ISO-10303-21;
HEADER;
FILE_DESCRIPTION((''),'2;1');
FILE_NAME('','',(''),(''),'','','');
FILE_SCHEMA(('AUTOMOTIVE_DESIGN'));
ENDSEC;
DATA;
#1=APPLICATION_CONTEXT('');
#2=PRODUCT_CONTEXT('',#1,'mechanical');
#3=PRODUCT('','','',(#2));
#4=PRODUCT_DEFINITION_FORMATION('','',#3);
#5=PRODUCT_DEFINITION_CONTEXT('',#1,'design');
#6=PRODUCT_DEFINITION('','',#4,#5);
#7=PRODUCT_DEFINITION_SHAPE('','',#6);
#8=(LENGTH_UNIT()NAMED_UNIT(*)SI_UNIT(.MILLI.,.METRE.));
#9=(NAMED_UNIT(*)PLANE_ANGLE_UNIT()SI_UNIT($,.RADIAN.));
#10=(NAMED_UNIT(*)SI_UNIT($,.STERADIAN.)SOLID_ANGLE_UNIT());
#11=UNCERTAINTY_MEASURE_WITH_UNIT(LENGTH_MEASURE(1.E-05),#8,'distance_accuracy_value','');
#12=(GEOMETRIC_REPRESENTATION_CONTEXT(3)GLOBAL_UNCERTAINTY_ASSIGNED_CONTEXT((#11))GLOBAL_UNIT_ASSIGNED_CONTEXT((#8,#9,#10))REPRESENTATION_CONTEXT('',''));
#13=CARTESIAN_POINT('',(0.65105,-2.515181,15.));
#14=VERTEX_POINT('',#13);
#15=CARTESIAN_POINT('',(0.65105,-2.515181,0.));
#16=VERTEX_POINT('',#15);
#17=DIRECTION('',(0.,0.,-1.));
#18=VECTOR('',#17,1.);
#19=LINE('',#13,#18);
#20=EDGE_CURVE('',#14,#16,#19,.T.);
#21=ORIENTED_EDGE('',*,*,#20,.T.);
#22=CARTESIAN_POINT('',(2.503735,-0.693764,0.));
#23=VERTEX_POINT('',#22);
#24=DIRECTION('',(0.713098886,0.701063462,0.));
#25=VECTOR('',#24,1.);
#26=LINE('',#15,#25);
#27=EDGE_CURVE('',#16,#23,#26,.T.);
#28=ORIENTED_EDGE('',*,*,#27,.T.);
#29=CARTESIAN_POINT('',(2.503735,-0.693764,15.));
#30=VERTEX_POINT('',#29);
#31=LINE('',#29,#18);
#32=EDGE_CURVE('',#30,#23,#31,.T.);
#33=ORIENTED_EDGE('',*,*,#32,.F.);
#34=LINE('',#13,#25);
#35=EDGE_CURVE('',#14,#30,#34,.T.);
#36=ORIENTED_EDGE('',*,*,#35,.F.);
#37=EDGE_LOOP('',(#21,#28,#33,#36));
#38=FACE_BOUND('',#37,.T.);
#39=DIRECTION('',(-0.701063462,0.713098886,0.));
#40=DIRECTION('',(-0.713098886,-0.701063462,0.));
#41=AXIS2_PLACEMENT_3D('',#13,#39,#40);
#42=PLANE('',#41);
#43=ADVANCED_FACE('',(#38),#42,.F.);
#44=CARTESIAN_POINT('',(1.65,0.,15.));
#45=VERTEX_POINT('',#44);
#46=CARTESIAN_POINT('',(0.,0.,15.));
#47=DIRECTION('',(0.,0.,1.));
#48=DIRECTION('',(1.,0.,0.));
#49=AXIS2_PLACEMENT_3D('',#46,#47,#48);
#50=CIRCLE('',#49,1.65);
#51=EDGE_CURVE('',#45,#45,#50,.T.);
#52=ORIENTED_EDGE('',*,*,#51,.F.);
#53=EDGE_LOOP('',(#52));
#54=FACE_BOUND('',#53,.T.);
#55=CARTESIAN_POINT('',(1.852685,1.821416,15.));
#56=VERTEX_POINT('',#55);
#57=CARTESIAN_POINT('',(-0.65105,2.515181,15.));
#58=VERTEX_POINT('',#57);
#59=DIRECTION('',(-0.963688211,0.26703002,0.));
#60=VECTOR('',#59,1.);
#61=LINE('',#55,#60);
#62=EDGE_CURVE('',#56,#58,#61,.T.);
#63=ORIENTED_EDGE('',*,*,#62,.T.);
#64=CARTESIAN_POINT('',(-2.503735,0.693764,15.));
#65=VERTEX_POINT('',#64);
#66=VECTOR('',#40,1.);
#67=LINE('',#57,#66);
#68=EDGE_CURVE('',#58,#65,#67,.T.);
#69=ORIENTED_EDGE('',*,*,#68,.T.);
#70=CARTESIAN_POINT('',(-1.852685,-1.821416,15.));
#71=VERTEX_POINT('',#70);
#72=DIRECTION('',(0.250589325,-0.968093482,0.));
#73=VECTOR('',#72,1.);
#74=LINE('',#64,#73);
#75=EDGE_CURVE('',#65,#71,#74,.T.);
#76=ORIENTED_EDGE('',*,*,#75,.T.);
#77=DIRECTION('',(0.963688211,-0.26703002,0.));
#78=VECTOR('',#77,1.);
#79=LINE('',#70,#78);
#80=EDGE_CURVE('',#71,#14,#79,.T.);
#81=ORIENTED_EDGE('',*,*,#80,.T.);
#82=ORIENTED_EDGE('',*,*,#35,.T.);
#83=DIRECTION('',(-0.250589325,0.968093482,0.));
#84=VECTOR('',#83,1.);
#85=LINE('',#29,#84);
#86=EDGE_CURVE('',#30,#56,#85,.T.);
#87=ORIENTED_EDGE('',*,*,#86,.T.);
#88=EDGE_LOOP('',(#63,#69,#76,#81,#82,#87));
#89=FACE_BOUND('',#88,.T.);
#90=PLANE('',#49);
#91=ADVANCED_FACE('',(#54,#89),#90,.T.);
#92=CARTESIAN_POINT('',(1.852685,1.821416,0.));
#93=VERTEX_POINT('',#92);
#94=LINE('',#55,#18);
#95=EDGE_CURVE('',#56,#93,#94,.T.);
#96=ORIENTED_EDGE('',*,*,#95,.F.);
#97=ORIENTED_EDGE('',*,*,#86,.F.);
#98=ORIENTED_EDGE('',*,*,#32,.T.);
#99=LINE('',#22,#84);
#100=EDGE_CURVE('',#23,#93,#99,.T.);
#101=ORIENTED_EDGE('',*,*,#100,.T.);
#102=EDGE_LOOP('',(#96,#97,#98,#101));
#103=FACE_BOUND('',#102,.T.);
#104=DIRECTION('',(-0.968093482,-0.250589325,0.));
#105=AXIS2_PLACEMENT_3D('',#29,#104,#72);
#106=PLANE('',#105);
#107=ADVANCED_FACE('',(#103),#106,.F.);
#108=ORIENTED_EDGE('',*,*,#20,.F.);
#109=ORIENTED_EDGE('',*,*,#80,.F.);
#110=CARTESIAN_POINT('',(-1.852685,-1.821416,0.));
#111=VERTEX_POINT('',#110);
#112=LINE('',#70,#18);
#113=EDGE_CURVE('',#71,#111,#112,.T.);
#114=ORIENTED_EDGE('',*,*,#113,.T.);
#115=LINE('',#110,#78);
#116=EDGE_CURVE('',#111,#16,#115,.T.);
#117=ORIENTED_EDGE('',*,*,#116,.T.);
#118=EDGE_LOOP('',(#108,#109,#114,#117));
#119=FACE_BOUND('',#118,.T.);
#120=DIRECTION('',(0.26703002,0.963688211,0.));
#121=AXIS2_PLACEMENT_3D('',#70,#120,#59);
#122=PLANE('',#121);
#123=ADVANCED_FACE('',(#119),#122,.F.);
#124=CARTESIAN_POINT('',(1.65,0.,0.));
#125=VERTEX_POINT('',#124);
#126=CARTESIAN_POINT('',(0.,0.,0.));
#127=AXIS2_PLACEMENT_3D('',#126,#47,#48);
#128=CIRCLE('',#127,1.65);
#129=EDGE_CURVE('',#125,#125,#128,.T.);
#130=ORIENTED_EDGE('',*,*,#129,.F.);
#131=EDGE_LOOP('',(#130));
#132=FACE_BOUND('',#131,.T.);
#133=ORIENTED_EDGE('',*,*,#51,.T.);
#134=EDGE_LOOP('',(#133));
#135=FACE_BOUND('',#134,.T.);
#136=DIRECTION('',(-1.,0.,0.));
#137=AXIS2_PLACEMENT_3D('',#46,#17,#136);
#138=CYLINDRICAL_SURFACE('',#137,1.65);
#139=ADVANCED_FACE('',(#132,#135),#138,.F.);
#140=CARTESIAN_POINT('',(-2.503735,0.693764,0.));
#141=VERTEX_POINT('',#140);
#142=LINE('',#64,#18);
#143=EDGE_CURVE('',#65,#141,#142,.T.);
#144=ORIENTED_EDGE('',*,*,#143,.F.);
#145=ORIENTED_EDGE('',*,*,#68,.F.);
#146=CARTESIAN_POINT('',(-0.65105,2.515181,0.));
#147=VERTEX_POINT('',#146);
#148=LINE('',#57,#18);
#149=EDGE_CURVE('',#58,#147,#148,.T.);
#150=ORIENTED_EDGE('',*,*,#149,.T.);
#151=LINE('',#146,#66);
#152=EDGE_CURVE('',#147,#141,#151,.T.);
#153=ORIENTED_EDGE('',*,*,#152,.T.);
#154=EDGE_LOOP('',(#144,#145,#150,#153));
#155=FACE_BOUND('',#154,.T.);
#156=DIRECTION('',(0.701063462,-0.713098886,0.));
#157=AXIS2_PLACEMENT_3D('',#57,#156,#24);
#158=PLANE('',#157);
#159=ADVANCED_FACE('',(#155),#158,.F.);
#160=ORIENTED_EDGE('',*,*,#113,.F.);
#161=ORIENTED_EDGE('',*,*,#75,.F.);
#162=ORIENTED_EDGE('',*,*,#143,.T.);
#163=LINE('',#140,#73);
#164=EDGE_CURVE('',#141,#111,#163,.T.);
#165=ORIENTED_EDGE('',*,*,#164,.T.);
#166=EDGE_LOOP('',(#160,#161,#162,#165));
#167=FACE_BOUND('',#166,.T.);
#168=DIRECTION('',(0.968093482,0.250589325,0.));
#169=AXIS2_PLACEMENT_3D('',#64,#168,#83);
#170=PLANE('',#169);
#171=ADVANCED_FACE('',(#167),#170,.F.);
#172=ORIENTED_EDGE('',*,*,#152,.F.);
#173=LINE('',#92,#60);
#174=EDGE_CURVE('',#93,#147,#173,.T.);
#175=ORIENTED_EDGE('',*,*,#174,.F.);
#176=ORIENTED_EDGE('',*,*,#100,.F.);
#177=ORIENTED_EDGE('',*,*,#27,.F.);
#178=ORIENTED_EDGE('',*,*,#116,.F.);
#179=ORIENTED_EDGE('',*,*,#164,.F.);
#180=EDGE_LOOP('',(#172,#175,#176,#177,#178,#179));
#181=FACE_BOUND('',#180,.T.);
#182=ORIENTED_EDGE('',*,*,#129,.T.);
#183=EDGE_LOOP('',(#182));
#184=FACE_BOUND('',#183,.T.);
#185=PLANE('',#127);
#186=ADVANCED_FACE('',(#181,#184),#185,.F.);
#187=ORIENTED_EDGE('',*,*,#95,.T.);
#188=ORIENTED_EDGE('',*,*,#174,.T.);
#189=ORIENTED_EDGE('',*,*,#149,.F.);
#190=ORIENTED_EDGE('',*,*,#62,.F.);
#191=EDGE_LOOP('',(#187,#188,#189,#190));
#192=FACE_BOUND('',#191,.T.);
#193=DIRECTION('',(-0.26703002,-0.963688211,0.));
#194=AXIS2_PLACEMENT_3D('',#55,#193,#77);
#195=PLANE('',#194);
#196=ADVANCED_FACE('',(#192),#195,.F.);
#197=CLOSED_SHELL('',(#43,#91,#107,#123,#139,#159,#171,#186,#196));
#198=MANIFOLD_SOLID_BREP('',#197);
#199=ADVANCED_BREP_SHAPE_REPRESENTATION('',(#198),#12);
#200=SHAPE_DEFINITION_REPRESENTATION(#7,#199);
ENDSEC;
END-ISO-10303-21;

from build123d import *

# Parameters (mm, degrees)
SKETCH_1_R      = 1.65
EXTRUDE_1_DEPTH = 15


with BuildPart() as part:
    # 草图1 → 凸台-拉伸1 (new body)
    with BuildSketch(Plane.XY):
        Polygon((1.852685253, 1.821416304), (-0.651050163, 2.515180647), (-2.503735417, 0.693764343), (-1.852685253, -1.821416304), (0.651050163, -2.515180647), (2.503735417, -0.693764343), align=None)
        Circle(SKETCH_1_R, mode=Mode.SUBTRACT)
    extrude(amount=EXTRUDE_1_DEPTH)


solid = part.part
